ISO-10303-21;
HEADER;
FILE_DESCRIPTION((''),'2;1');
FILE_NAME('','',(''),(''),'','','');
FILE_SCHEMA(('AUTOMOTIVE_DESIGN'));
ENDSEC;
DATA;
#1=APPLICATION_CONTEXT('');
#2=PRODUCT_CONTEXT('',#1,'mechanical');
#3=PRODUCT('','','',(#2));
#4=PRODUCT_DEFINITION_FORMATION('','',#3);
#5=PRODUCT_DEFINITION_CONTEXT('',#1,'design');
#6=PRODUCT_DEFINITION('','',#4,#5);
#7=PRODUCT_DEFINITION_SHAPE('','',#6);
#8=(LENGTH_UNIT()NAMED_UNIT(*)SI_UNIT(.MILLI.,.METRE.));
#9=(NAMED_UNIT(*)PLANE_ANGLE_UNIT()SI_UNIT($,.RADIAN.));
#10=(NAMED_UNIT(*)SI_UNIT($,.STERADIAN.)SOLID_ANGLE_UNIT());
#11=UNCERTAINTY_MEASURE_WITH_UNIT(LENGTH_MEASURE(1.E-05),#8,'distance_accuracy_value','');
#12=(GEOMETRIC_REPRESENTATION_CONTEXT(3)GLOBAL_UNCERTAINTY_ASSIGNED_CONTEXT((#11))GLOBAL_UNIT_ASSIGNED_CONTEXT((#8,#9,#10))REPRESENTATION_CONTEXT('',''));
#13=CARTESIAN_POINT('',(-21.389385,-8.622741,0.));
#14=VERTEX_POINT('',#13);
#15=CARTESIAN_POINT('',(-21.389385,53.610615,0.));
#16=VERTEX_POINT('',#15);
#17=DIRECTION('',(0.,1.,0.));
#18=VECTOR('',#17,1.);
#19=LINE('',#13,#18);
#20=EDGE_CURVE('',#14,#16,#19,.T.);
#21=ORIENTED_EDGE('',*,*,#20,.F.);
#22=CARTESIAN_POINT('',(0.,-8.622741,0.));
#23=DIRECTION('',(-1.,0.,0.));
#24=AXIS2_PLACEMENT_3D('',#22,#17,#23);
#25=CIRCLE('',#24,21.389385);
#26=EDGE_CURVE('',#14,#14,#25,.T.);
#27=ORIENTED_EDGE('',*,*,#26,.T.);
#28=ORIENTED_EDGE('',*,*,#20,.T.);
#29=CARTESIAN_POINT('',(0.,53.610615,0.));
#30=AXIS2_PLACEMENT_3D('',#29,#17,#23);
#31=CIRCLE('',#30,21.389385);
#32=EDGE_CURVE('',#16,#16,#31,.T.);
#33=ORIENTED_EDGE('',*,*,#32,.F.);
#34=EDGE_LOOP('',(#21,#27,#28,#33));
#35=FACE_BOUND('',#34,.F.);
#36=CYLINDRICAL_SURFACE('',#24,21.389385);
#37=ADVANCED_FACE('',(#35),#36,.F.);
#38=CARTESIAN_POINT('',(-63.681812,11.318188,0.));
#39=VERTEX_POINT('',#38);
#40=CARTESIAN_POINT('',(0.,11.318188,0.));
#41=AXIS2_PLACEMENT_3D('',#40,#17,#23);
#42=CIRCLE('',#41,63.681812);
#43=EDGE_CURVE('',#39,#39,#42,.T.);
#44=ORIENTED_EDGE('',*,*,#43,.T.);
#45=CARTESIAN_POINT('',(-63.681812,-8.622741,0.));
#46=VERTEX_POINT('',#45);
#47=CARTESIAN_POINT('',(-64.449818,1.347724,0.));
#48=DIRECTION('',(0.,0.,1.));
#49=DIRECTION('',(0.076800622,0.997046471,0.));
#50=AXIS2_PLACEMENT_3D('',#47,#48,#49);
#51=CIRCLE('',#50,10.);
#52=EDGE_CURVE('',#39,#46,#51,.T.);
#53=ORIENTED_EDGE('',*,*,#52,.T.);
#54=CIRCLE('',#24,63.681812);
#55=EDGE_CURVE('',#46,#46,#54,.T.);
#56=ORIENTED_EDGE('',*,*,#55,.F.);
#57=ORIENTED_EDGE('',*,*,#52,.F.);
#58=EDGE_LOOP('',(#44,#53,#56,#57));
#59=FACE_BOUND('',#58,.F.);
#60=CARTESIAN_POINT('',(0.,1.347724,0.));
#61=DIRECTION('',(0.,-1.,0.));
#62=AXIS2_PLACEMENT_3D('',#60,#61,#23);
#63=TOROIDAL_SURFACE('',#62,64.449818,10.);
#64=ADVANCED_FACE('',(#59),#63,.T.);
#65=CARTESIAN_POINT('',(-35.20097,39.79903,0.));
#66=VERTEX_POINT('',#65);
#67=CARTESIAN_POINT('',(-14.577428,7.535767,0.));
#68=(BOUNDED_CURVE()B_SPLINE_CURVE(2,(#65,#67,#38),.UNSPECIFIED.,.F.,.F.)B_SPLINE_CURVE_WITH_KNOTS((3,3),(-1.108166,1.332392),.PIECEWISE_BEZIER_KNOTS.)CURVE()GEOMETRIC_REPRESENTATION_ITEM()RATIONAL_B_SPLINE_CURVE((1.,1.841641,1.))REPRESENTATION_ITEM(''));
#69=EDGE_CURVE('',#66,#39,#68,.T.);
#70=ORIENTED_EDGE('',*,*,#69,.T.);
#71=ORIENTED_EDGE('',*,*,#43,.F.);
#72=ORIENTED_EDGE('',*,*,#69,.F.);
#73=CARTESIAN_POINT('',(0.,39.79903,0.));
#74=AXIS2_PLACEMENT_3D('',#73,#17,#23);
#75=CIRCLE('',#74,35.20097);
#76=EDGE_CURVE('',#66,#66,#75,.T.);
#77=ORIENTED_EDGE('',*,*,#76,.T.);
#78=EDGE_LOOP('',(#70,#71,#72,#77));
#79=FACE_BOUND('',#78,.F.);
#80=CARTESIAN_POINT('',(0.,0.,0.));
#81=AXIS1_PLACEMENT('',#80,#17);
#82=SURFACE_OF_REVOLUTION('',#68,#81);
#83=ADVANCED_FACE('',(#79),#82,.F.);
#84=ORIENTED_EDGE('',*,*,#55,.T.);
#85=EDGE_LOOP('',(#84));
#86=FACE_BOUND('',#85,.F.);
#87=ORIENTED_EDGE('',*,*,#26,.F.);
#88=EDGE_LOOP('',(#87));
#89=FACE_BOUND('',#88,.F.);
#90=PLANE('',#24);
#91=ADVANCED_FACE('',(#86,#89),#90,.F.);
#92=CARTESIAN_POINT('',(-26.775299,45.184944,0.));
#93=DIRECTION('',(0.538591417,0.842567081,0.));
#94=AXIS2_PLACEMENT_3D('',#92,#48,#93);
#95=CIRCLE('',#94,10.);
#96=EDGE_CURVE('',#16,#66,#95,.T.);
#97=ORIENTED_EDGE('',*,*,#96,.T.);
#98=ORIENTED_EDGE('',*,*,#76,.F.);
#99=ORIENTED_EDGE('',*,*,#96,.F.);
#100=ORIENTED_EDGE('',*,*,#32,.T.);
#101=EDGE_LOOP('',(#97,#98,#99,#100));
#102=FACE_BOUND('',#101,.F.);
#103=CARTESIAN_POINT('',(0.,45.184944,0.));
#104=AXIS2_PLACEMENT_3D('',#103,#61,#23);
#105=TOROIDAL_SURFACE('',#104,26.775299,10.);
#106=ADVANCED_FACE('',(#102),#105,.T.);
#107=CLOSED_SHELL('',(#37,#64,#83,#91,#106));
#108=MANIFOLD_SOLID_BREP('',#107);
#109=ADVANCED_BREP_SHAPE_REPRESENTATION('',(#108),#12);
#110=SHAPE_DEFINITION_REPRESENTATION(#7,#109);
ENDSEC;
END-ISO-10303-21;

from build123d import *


with BuildPart() as part:
    # Sketch (on XY_Plane of Origin) → Revolution (revolve)
    with BuildSketch(Plane.XY):
        with BuildLine():
            add(Edge.make_bspline(
                [(-35.20097, 39.79903), (-14.577428, 7.535767), (-63.681812, 11.318188)],
                knots=[-1.108166, -1.108166, -1.108166, 1.332392, 1.332392, 1.332392], degree=2, weights=[1, 1.841641, 1]))
            ThreePointArc((-63.681812, 11.318188), (-74.449818, 1.347724), (-63.681812, -8.622741))
            Line((-63.681812, -8.622741), (-21.389385, -8.622741))
            Line((-21.389385, -8.622741), (-21.389385, 53.610615))
            ThreePointArc((-21.389385, 53.610615), (-33.846367, 52.256012), (-35.20097, 39.79903))
        make_face()
    revolve(axis=Axis((0, 0, 0), (0, 1, 0)))


solid = part.part
